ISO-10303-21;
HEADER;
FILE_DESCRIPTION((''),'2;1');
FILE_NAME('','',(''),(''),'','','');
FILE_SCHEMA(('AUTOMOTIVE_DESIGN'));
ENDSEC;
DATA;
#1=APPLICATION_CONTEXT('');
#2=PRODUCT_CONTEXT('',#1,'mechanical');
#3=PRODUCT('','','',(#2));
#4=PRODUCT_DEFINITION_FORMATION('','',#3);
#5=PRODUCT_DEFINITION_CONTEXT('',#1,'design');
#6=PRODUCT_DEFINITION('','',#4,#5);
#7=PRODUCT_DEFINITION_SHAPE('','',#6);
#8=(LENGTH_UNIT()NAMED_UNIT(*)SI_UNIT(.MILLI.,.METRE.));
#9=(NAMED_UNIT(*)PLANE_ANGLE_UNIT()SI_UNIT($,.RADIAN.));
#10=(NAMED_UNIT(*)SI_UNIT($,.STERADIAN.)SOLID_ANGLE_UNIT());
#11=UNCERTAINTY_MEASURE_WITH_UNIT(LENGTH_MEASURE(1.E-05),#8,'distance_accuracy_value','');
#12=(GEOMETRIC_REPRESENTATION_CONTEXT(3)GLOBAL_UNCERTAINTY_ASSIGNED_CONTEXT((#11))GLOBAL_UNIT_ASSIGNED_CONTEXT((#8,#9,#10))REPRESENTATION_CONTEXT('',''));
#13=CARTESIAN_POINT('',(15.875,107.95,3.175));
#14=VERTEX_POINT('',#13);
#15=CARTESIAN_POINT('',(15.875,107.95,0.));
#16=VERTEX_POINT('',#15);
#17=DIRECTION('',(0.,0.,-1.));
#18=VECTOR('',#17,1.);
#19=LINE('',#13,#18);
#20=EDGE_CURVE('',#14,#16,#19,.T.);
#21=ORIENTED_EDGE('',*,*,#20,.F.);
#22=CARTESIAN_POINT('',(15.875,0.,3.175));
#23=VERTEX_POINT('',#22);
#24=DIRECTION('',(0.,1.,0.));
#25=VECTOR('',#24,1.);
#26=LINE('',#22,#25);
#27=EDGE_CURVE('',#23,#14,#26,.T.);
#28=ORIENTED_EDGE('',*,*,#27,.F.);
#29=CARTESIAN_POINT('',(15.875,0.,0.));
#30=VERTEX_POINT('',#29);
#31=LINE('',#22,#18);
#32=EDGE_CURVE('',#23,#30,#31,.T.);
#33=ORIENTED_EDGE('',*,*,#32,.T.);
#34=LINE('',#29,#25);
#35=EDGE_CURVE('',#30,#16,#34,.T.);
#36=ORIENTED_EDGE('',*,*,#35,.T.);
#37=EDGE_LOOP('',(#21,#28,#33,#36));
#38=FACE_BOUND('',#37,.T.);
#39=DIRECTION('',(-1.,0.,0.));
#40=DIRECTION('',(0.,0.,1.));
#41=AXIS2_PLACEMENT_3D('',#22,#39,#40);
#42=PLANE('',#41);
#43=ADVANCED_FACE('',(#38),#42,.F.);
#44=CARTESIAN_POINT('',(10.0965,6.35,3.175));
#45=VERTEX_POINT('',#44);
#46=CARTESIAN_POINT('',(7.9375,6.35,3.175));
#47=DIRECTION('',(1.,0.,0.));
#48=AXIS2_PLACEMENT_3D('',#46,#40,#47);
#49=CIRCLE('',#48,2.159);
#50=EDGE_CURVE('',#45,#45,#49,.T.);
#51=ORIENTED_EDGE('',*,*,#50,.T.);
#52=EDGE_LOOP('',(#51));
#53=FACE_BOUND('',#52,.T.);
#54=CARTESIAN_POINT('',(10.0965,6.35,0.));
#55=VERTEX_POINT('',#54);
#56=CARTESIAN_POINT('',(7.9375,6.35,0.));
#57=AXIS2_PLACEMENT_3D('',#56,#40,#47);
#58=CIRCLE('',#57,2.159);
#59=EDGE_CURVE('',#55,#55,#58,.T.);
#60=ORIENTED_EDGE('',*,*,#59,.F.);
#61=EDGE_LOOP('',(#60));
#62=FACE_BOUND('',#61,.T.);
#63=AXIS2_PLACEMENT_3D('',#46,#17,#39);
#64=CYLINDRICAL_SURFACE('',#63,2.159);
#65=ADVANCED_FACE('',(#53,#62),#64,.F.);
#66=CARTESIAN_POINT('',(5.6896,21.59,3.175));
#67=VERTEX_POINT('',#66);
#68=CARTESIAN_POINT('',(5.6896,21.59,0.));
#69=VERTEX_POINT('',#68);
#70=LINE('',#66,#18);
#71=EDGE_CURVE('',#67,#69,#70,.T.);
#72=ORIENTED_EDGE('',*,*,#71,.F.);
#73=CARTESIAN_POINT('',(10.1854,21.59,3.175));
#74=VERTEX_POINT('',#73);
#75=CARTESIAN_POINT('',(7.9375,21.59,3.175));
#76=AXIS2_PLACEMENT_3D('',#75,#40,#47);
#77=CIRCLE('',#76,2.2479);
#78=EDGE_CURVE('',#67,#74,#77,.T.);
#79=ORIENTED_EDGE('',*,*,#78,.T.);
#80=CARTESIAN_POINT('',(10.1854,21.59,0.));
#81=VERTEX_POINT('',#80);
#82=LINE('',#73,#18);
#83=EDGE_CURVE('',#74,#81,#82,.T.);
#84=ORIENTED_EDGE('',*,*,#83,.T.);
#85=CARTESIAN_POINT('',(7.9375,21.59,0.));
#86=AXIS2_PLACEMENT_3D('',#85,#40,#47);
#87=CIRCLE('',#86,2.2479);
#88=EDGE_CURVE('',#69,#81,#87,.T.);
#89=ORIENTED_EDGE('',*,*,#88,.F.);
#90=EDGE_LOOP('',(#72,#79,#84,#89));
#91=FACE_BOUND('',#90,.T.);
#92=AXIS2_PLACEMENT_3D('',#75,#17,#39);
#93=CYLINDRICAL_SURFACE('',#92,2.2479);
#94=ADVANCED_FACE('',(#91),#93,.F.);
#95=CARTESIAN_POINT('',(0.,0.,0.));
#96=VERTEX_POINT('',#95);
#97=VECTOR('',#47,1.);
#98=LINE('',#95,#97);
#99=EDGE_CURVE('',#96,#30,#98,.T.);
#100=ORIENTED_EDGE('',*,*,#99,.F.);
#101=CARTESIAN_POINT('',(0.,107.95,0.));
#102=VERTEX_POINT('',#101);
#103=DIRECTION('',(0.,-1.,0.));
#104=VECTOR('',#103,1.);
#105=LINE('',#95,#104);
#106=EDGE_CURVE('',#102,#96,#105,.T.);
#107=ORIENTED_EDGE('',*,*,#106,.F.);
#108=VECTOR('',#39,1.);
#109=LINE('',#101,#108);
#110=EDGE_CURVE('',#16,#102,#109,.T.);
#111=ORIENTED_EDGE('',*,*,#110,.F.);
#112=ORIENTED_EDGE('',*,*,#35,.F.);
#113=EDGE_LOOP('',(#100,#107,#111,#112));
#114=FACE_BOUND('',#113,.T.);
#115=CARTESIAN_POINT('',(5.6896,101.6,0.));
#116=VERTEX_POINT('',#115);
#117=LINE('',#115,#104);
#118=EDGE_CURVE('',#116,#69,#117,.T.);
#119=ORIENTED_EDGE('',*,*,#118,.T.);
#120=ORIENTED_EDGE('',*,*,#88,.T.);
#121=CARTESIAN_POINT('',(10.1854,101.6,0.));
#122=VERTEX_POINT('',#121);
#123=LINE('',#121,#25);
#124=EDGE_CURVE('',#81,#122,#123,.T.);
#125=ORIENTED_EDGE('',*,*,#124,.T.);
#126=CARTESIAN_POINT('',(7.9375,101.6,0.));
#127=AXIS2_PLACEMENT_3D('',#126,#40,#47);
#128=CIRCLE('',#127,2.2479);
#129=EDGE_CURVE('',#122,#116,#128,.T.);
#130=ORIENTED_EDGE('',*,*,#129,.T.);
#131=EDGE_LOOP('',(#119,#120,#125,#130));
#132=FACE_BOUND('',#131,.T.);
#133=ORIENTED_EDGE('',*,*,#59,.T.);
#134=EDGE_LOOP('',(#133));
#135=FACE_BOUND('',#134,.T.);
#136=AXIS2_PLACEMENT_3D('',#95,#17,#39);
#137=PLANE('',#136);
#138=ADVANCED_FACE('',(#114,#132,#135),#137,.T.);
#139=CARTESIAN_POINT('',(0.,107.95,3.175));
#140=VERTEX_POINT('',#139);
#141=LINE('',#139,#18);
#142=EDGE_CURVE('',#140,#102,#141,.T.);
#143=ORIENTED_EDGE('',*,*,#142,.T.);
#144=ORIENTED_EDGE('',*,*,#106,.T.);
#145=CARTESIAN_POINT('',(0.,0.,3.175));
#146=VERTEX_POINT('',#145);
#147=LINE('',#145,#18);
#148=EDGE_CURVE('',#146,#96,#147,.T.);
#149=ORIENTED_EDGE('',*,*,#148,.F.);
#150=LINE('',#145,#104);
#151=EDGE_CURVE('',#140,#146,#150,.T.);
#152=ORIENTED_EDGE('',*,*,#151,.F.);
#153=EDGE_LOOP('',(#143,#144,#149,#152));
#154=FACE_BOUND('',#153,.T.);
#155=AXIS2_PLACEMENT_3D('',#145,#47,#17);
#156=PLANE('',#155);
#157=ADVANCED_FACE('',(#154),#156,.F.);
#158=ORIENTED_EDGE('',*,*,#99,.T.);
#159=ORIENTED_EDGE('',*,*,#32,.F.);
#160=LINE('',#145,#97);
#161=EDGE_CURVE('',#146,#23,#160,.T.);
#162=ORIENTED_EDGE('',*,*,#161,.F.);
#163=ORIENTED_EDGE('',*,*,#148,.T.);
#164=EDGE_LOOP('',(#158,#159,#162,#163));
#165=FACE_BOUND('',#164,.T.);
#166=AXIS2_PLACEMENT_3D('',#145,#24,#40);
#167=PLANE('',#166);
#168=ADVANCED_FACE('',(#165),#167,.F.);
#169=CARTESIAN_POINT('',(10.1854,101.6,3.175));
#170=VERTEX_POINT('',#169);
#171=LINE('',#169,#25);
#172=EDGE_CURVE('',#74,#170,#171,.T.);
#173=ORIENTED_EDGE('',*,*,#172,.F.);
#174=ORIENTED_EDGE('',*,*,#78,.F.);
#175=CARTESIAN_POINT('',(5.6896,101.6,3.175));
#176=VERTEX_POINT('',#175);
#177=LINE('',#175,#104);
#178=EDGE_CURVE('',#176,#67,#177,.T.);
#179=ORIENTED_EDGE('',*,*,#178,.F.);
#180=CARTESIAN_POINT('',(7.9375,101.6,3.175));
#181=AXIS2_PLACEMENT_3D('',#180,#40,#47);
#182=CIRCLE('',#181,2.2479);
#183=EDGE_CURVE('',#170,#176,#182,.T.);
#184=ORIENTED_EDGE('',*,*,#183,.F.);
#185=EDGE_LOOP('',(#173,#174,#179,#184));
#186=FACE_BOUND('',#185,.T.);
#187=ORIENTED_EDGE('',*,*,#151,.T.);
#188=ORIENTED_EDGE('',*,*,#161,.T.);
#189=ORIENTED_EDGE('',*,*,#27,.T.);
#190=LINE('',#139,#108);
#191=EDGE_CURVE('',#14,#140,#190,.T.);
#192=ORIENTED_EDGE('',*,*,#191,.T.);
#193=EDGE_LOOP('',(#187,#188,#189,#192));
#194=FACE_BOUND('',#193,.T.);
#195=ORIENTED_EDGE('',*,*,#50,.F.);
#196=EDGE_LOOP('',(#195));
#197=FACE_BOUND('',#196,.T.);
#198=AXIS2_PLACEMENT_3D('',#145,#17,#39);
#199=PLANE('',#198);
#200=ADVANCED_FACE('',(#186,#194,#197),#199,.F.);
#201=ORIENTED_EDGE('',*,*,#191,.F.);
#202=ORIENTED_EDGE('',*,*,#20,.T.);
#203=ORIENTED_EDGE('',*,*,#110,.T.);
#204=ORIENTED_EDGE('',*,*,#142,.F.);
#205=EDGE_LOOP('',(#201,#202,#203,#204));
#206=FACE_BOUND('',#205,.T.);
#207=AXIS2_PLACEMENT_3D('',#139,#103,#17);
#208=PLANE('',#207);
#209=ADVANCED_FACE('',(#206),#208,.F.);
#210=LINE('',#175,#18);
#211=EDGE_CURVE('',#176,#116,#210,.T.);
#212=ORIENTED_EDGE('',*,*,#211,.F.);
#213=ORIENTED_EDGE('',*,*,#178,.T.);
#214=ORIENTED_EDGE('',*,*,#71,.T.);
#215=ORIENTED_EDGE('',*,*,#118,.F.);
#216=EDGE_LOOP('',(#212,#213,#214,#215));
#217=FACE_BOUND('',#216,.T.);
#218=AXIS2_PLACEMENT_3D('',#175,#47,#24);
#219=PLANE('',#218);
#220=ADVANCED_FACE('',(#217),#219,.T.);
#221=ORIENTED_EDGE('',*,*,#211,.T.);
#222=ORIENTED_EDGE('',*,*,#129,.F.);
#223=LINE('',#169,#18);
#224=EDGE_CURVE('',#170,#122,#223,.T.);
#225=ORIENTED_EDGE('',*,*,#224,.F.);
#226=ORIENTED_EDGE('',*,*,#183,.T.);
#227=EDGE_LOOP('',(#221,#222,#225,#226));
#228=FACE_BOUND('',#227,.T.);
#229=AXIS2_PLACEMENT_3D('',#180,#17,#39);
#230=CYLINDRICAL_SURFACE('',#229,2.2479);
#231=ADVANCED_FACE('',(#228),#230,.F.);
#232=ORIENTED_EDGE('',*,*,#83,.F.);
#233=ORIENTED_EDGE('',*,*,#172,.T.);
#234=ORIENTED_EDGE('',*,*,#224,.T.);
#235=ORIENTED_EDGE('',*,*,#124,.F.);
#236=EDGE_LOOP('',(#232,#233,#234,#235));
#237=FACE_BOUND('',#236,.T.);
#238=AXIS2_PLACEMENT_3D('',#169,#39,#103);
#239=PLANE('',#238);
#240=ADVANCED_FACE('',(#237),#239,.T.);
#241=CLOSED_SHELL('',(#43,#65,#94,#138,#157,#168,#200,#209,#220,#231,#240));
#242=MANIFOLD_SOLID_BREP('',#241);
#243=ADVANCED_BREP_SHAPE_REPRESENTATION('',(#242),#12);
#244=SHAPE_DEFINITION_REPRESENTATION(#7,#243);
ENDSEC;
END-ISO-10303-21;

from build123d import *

# Parameters (mm, degrees)
SKETCH1_W           = 15.875
SKETCH1_H           = 107.95
SKETCH1_R           = 2.159
BOSS_EXTRUDE1_DEPTH = 3.175


with BuildPart() as part:
    # Sketch1 → Boss-Extrude1 (new body)
    with BuildSketch(Plane.XY):
        with Locations((7.9375, 53.975)):
            Rectangle(SKETCH1_W, SKETCH1_H)
        with Locations((7.9375, 6.35)):
            Circle(SKETCH1_R, mode=Mode.SUBTRACT)
        with BuildLine():
            Line((10.1854, 101.6), (10.1854, 21.59))
            ThreePointArc((10.1854, 21.59), (7.9375, 19.3421), (5.6896, 21.59))
            Line((5.6896, 21.59), (5.6896, 101.6))
            ThreePointArc((5.6896, 101.6), (7.9375, 103.8479), (10.1854, 101.6))
        make_face(mode=Mode.SUBTRACT)
    extrude(amount=BOSS_EXTRUDE1_DEPTH)


solid = part.part
